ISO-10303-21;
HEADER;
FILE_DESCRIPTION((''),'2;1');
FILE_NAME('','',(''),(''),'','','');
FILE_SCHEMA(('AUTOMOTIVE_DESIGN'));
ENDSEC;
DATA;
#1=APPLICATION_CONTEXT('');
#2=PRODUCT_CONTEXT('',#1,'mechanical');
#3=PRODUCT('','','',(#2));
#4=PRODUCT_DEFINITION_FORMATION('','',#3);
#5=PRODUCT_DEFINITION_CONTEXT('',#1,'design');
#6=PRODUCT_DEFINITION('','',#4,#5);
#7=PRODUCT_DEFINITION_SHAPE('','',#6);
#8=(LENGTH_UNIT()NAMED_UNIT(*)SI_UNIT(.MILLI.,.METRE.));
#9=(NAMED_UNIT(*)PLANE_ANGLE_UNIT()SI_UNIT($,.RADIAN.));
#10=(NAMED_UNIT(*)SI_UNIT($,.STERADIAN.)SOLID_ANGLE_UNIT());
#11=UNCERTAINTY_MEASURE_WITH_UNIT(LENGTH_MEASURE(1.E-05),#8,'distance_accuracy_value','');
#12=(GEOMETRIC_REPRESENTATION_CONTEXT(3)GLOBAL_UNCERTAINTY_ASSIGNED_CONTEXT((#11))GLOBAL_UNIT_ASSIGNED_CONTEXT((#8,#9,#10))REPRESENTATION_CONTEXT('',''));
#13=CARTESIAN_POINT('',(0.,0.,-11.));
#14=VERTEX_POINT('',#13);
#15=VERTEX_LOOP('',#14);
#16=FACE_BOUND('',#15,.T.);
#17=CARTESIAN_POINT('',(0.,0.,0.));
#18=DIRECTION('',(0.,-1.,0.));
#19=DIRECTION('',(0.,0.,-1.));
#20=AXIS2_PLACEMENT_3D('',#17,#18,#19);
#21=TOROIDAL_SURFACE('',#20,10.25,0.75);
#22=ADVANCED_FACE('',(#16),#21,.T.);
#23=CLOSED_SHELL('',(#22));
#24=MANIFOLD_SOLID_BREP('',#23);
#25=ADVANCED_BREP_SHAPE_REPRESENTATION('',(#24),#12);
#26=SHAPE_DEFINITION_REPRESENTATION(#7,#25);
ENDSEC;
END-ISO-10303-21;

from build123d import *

# Parameters (mm, degrees)
SKETCH2_R = 0.75


with BuildPart() as part:
    # Sketch2 → Revolve1 (revolve)
    with BuildSketch(Plane.XY):
        with Locations((-10.25, 0)):
            Circle(SKETCH2_R)
    revolve(axis=Axis((0, 0, 0), (0, 1, 0)))


solid = part.part
